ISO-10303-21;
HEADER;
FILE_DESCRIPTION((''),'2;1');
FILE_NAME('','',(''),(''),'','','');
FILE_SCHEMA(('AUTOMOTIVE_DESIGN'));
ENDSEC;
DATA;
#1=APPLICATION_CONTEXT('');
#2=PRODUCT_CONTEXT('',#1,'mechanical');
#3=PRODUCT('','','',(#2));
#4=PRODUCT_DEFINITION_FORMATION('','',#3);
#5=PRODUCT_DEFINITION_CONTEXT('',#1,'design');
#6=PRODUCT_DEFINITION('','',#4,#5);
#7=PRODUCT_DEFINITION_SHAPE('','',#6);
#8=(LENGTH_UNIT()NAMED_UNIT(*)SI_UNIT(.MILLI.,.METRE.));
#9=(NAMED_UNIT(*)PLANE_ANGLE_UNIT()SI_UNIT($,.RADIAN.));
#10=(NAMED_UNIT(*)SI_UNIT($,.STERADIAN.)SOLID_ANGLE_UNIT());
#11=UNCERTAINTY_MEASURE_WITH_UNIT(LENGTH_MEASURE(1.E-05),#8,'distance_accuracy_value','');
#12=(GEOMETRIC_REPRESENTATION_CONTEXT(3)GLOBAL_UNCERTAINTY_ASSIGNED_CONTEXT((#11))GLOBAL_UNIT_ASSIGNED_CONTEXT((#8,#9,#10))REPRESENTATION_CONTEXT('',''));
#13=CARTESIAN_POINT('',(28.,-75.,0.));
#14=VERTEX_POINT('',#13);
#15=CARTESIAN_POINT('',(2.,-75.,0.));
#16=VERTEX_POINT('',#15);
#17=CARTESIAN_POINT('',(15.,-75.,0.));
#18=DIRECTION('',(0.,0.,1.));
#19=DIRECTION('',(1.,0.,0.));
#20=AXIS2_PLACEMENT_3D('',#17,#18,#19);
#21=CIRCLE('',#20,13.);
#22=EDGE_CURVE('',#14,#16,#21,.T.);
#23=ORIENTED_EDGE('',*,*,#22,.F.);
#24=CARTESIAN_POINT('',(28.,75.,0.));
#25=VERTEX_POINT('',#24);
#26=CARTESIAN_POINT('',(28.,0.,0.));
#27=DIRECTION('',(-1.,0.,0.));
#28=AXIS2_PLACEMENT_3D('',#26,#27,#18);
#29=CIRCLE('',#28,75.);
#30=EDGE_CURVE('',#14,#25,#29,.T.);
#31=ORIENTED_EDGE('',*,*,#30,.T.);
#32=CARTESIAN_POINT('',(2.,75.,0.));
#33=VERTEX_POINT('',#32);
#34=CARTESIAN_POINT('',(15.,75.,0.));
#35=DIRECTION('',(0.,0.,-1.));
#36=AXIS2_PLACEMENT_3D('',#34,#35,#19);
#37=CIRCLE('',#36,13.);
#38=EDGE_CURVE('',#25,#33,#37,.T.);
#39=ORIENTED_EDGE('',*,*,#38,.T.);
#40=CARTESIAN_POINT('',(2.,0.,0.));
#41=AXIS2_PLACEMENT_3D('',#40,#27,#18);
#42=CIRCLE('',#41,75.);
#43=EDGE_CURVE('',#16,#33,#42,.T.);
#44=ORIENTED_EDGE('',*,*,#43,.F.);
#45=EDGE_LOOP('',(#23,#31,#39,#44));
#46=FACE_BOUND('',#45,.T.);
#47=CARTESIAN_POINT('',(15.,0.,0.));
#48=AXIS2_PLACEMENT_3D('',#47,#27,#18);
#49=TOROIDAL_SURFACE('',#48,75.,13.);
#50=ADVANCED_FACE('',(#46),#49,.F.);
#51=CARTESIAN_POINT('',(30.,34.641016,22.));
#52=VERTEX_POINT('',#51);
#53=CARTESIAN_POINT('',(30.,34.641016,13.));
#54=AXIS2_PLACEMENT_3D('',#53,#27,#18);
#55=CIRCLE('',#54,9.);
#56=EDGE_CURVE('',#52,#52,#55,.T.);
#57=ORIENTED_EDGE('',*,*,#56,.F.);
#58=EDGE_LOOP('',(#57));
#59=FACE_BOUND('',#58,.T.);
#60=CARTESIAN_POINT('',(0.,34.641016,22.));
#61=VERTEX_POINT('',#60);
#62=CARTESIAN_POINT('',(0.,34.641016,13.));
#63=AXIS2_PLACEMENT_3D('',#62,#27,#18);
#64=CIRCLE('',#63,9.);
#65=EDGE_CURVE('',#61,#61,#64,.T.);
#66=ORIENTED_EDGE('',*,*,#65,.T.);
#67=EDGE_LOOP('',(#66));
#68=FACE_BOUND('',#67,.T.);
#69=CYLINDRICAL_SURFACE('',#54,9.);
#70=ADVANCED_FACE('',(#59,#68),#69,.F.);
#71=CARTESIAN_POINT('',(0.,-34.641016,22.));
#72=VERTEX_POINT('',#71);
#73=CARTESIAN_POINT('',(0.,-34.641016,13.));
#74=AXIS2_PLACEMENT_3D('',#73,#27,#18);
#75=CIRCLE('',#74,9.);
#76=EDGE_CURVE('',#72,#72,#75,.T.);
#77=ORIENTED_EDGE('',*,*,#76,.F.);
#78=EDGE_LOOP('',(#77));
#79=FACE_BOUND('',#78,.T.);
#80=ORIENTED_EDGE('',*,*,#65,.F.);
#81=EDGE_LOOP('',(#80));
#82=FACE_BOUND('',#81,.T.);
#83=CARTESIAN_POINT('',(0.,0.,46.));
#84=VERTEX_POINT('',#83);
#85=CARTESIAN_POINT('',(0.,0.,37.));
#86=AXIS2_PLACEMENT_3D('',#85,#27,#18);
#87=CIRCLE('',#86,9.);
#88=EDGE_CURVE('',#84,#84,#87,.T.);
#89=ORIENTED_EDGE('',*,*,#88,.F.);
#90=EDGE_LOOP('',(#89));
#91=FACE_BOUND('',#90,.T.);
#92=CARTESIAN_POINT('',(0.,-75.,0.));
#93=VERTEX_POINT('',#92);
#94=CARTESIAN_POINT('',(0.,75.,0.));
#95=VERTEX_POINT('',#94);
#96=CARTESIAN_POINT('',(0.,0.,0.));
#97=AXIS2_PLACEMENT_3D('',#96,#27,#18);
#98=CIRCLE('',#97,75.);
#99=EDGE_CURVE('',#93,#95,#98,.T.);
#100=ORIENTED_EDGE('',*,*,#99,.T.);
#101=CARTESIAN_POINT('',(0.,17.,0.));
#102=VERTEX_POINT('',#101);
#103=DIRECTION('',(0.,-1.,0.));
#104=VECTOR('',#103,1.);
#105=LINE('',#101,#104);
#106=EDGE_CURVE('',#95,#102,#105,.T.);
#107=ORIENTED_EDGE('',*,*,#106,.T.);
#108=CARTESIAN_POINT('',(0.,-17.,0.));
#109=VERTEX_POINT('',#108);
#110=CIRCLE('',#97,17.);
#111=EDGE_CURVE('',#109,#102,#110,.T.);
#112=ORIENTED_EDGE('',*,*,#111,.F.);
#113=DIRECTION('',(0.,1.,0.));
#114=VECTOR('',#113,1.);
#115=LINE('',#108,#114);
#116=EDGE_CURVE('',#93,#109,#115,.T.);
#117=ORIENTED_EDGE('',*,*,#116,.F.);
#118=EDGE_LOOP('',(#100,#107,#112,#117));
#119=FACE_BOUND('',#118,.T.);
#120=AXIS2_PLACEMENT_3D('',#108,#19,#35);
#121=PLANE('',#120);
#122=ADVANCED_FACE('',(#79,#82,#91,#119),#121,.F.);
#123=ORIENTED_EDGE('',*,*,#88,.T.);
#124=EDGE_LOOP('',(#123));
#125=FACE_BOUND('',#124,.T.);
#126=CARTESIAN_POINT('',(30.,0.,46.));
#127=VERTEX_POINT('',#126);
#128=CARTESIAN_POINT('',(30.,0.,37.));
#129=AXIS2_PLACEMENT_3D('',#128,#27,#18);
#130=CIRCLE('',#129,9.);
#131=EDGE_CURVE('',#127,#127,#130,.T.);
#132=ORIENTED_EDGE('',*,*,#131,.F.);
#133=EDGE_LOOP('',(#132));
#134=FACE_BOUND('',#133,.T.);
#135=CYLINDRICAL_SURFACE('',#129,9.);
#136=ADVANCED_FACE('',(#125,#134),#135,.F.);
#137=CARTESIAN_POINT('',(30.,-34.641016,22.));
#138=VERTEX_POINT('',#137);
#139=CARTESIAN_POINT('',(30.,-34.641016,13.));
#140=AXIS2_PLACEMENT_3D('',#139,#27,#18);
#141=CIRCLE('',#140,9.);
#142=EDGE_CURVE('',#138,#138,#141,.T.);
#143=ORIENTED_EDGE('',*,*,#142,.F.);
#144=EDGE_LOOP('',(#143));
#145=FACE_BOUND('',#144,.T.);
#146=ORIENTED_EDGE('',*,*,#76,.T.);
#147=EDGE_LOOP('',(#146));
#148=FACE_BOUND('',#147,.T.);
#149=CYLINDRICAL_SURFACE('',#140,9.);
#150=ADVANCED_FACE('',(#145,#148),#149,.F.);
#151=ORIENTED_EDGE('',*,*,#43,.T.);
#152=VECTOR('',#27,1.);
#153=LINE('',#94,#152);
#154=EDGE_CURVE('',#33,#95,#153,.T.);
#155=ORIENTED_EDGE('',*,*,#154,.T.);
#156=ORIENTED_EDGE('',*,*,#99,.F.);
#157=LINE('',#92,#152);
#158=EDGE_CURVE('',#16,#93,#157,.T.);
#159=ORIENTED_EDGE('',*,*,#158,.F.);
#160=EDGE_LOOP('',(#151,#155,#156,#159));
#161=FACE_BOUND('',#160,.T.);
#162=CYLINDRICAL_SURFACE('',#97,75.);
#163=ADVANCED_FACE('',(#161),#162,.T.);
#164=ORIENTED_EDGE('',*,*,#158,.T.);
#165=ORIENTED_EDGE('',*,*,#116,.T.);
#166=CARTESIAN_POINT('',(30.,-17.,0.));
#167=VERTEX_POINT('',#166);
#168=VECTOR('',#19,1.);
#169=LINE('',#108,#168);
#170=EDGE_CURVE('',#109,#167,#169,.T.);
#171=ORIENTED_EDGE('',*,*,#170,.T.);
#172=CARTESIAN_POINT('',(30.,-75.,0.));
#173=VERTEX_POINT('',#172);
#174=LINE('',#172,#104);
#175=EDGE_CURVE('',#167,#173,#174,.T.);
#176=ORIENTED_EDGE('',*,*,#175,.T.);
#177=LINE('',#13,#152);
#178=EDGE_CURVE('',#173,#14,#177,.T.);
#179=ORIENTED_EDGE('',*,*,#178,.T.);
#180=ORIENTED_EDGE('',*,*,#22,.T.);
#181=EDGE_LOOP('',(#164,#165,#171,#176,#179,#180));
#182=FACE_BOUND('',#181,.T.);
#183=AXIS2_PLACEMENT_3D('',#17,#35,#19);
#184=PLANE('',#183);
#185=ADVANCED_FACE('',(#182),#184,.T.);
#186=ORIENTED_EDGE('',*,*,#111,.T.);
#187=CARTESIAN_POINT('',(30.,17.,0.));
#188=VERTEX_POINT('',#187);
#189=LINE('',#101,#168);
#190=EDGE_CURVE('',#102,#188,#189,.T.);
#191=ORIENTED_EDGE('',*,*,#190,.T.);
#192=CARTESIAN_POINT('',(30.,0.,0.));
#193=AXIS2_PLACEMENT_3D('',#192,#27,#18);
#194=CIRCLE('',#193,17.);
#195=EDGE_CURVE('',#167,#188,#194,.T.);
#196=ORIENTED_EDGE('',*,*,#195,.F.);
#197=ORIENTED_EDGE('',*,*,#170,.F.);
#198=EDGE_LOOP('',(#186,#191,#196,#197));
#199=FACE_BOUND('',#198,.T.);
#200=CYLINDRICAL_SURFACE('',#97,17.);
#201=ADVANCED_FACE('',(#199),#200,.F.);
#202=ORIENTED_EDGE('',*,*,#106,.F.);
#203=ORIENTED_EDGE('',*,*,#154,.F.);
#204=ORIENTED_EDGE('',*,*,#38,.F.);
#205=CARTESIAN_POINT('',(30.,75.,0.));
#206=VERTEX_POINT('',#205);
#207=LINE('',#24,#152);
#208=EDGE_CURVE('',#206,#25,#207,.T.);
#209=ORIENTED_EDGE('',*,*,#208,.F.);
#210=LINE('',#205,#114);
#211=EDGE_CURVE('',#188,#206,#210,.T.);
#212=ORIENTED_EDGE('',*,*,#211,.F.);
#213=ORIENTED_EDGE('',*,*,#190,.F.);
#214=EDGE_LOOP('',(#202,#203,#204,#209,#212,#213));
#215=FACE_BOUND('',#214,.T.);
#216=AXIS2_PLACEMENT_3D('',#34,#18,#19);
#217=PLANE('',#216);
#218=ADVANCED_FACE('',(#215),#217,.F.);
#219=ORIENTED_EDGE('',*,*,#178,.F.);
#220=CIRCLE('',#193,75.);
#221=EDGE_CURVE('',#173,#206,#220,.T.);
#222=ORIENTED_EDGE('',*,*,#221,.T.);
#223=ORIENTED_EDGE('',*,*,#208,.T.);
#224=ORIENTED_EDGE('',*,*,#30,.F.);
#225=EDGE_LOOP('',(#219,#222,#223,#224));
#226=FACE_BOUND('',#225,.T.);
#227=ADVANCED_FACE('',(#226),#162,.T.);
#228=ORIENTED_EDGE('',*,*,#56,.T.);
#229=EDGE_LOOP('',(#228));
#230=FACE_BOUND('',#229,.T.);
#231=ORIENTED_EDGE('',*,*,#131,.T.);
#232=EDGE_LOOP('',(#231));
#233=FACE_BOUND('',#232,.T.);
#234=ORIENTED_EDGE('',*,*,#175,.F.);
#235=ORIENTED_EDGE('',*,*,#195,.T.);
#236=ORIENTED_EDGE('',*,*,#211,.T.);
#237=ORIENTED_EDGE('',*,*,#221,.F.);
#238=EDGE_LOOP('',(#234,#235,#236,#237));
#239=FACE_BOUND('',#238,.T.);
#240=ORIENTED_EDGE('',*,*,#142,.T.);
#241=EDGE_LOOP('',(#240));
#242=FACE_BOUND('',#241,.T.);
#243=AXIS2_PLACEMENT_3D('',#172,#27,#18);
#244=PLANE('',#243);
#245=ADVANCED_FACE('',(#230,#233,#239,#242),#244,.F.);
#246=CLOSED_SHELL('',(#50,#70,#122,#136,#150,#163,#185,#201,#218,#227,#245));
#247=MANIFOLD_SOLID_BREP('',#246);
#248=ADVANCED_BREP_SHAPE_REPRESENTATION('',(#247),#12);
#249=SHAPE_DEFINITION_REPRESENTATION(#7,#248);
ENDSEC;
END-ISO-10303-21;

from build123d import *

# Parameters (mm, degrees)
R_VOLUTION1_ANGLE       = 180
ESQUISSE2_R             = 9
ENL_V_MAT_EXTRU_1_DEPTH = 31


with BuildPart() as part:
    # Esquisse1 → Révolution1 (revolve)
    with BuildSketch(Plane.XY):
        with BuildLine():
            Line((0, 17), (0, 75))
            Line((0, 75), (2, 75))
            ThreePointArc((2, 75), (15, 62), (28, 75))
            Line((28, 75), (30, 75))
            Line((30, 75), (30, 17))
            Line((30, 17), (0, 17))
        make_face()
    revolve(axis=Axis((0, 0, 0), (1, 0, 0)), revolution_arc=R_VOLUTION1_ANGLE)

    # Esquisse2 → Enlèv. mat.-Extru.1 (cut, through all)
    with BuildSketch(Plane.ZY):
        with Locations((37, 0)):
            Circle(ESQUISSE2_R)
        with Locations((13, -34.641016151)):
            Circle(ESQUISSE2_R)
        with Locations((13, 34.641016151)):
            Circle(ESQUISSE2_R)
    extrude(amount=-ENL_V_MAT_EXTRU_1_DEPTH, mode=Mode.SUBTRACT)


solid = part.part
